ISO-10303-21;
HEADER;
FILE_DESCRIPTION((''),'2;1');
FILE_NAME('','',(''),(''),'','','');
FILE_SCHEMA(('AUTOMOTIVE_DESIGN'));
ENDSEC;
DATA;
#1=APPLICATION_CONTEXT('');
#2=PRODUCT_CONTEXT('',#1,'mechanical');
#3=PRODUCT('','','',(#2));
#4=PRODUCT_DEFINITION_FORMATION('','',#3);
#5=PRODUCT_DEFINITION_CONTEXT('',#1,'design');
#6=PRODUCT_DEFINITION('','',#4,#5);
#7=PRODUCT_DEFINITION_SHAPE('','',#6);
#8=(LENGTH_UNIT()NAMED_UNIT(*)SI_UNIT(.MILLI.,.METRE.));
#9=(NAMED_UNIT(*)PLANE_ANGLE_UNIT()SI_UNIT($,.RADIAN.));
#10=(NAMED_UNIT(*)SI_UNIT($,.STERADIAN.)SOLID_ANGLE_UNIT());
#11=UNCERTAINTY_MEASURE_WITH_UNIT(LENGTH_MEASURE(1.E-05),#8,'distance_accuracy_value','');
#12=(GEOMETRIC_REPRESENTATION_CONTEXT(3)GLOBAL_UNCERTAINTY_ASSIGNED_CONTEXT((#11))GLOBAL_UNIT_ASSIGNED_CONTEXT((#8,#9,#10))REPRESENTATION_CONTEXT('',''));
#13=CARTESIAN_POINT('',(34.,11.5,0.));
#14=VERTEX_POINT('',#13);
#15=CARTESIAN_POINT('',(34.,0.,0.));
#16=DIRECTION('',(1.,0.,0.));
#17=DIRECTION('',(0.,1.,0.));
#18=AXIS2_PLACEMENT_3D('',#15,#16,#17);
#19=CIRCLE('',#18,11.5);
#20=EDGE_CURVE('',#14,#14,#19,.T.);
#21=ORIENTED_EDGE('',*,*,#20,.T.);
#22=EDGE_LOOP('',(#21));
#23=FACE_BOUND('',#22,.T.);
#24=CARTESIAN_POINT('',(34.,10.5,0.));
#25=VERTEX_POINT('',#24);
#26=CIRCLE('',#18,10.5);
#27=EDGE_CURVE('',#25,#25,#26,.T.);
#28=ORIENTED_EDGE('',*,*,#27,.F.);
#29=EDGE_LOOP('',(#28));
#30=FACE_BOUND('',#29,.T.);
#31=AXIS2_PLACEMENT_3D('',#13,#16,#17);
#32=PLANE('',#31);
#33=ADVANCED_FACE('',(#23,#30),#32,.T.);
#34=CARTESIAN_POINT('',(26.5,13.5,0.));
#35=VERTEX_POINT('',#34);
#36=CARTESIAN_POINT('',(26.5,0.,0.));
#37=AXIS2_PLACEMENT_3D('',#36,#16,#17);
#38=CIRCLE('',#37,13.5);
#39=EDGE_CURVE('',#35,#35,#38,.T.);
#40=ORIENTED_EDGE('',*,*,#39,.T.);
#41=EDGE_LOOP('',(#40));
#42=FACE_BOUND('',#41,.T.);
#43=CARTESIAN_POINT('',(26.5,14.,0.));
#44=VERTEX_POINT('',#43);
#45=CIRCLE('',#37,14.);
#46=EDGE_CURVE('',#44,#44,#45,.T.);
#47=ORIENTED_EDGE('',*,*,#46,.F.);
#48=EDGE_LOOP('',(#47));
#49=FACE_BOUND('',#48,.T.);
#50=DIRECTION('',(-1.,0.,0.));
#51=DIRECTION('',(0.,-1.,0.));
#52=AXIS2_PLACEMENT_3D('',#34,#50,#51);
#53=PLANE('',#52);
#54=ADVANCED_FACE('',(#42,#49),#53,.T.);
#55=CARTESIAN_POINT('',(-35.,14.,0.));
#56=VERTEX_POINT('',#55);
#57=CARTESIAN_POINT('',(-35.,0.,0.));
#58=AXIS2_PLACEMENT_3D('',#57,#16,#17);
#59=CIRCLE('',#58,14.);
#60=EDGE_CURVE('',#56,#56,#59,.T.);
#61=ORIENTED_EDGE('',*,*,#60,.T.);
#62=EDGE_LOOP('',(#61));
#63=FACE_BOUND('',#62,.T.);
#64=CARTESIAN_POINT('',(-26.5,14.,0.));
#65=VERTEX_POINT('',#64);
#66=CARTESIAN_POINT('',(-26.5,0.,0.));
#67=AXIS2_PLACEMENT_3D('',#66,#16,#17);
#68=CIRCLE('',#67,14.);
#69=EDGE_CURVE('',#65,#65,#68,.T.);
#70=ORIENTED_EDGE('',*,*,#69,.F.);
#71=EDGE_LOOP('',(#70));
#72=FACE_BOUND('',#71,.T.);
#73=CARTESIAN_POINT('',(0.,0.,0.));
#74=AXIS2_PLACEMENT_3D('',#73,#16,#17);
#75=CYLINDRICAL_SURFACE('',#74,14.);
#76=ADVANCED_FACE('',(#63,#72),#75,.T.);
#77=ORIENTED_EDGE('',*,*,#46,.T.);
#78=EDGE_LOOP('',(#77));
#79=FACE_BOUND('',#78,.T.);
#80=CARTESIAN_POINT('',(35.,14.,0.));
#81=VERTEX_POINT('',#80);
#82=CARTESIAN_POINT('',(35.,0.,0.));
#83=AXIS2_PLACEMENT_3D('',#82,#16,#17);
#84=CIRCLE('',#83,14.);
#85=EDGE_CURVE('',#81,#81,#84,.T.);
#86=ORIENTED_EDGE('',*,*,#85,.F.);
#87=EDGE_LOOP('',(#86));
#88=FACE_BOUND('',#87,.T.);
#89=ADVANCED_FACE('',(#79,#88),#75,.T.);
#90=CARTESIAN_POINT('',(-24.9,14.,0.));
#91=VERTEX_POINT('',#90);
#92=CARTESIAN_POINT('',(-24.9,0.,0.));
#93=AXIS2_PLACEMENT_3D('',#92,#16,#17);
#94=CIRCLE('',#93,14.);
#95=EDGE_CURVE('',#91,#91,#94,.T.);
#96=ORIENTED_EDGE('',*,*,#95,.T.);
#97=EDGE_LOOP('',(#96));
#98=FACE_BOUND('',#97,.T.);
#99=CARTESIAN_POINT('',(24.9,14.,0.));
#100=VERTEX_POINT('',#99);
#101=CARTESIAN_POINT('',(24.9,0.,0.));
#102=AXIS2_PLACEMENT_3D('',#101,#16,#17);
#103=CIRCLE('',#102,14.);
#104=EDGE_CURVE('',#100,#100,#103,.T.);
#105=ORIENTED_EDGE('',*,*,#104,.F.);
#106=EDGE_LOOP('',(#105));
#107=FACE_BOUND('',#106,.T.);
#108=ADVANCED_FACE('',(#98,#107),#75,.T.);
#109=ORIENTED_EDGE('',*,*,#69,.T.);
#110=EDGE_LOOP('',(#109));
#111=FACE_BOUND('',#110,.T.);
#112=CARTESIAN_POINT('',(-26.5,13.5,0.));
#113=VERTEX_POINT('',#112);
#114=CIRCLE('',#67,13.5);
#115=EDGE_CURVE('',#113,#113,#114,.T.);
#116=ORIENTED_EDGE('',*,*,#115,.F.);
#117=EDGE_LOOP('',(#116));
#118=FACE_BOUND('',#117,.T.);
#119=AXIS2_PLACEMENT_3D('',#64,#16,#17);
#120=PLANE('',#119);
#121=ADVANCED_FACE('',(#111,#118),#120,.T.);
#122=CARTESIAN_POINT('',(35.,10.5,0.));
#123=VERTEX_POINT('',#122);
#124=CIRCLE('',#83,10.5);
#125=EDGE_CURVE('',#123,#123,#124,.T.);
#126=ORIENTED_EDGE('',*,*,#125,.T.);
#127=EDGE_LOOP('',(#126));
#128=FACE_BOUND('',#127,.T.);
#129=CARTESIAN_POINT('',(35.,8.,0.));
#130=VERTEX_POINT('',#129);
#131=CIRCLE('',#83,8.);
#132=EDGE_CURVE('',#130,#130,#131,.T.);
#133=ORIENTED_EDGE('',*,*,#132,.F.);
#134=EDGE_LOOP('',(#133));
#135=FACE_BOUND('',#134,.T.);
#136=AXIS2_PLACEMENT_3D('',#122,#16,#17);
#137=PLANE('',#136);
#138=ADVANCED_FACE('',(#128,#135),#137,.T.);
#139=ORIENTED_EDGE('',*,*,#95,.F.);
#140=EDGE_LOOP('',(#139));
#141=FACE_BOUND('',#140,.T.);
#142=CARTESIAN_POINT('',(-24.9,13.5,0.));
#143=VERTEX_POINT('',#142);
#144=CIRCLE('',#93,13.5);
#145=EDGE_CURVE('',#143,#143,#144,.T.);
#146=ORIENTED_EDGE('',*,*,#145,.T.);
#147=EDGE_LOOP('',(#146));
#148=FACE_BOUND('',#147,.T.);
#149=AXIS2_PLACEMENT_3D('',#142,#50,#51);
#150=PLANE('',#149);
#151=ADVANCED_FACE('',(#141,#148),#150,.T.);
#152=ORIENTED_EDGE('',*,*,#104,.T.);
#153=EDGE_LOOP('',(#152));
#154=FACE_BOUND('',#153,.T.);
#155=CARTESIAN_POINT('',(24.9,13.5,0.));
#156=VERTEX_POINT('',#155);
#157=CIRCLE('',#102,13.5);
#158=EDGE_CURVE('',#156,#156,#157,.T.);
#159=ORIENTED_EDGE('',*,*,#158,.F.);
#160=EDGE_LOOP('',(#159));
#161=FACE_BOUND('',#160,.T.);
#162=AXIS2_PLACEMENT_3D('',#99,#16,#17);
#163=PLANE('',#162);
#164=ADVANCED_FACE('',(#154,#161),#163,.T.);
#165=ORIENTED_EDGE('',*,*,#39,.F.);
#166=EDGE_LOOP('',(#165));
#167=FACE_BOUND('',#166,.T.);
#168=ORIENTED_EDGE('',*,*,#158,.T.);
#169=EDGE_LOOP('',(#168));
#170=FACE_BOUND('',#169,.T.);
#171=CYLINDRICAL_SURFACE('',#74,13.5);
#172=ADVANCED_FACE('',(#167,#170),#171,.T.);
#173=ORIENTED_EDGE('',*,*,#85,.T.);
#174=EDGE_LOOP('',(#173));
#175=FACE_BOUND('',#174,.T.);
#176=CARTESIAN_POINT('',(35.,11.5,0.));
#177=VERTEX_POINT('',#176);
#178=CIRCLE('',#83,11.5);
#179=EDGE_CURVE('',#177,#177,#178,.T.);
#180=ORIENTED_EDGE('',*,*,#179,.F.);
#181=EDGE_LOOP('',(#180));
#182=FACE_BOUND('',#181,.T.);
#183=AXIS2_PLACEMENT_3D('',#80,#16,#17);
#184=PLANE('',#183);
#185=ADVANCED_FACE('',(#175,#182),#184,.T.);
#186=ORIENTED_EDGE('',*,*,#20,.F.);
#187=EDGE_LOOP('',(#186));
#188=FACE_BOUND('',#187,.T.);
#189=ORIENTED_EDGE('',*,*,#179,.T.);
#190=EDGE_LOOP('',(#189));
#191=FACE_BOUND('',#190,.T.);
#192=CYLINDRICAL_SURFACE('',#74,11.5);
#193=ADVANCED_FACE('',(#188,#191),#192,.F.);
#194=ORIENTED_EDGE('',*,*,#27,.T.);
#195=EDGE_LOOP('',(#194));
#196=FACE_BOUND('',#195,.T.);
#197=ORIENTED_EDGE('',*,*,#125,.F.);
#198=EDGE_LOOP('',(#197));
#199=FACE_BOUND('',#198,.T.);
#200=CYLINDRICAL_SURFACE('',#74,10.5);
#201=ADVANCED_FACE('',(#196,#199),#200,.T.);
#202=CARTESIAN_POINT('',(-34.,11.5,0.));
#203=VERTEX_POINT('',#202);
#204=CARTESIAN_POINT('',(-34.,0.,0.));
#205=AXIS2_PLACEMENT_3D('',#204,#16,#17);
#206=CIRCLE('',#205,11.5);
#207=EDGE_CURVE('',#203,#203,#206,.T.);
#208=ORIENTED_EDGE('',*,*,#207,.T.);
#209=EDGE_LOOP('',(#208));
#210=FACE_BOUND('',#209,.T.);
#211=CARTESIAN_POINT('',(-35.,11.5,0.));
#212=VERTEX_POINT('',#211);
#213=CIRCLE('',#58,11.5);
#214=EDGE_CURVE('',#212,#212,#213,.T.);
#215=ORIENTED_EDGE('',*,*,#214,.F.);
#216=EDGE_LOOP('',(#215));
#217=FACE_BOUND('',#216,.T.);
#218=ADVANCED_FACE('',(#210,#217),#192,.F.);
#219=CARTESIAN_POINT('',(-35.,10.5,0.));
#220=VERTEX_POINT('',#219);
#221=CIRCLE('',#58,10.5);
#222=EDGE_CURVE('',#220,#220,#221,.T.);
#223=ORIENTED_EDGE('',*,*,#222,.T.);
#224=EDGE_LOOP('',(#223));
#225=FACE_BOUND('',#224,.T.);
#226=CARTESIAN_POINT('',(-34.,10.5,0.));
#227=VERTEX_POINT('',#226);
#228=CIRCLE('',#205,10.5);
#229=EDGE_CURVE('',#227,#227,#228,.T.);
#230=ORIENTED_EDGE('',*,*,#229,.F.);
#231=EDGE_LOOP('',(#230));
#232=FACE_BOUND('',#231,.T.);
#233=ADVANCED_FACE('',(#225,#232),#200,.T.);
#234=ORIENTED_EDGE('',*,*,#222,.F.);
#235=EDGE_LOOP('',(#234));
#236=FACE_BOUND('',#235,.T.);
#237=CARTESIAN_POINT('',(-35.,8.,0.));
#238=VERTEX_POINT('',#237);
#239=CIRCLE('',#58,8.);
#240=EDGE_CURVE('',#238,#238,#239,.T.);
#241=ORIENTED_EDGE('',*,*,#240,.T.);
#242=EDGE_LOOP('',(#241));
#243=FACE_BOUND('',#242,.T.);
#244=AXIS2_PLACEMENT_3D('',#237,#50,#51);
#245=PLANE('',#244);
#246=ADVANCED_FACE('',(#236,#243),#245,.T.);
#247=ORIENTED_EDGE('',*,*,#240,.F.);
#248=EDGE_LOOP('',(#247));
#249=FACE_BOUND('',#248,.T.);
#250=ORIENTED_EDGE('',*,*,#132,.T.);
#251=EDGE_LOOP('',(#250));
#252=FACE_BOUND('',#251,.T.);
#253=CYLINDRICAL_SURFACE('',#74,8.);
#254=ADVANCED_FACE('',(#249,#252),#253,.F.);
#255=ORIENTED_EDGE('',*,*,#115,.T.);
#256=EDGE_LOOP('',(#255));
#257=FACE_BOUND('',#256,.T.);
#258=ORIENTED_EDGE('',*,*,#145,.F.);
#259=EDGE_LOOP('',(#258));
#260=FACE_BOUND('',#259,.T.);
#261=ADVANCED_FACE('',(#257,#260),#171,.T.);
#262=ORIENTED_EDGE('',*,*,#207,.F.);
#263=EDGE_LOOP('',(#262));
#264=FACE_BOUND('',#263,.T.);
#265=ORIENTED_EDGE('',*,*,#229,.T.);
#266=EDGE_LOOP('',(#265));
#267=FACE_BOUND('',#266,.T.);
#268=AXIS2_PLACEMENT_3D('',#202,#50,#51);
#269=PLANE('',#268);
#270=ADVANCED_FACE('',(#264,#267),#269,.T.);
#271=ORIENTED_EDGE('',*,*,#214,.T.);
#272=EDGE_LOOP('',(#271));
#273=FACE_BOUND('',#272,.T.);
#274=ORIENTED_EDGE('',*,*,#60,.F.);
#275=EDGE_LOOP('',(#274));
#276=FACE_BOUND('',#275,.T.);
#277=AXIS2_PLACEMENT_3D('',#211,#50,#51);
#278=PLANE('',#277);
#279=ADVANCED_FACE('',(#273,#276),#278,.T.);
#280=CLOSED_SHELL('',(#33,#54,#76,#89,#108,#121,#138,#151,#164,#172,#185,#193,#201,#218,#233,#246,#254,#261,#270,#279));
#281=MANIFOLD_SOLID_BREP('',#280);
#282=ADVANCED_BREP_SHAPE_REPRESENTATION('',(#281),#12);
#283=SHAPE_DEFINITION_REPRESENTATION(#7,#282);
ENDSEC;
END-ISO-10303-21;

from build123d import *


with BuildPart() as part:
    # Esboço1 → Revolução1 (revolve)
    with BuildSketch(Plane.XY):
        Polygon((-35, 14), (-26.5, 14), (-26.5, 13.5), (-24.9, 13.5), (-24.9, 14), (24.9, 14), (24.9, 13.5), (26.5, 13.5), (26.5, 14), (35, 14), (35, 11.5), (34, 11.5), (34, 10.5), (35, 10.5), (35, 8), (-35, 8), (-35, 10.5), (-34, 10.5), (-34, 11.5), (-35, 11.5), align=None)
    revolve(axis=Axis((0, 0, 0), (-1, 0, 0)))


solid = part.part
